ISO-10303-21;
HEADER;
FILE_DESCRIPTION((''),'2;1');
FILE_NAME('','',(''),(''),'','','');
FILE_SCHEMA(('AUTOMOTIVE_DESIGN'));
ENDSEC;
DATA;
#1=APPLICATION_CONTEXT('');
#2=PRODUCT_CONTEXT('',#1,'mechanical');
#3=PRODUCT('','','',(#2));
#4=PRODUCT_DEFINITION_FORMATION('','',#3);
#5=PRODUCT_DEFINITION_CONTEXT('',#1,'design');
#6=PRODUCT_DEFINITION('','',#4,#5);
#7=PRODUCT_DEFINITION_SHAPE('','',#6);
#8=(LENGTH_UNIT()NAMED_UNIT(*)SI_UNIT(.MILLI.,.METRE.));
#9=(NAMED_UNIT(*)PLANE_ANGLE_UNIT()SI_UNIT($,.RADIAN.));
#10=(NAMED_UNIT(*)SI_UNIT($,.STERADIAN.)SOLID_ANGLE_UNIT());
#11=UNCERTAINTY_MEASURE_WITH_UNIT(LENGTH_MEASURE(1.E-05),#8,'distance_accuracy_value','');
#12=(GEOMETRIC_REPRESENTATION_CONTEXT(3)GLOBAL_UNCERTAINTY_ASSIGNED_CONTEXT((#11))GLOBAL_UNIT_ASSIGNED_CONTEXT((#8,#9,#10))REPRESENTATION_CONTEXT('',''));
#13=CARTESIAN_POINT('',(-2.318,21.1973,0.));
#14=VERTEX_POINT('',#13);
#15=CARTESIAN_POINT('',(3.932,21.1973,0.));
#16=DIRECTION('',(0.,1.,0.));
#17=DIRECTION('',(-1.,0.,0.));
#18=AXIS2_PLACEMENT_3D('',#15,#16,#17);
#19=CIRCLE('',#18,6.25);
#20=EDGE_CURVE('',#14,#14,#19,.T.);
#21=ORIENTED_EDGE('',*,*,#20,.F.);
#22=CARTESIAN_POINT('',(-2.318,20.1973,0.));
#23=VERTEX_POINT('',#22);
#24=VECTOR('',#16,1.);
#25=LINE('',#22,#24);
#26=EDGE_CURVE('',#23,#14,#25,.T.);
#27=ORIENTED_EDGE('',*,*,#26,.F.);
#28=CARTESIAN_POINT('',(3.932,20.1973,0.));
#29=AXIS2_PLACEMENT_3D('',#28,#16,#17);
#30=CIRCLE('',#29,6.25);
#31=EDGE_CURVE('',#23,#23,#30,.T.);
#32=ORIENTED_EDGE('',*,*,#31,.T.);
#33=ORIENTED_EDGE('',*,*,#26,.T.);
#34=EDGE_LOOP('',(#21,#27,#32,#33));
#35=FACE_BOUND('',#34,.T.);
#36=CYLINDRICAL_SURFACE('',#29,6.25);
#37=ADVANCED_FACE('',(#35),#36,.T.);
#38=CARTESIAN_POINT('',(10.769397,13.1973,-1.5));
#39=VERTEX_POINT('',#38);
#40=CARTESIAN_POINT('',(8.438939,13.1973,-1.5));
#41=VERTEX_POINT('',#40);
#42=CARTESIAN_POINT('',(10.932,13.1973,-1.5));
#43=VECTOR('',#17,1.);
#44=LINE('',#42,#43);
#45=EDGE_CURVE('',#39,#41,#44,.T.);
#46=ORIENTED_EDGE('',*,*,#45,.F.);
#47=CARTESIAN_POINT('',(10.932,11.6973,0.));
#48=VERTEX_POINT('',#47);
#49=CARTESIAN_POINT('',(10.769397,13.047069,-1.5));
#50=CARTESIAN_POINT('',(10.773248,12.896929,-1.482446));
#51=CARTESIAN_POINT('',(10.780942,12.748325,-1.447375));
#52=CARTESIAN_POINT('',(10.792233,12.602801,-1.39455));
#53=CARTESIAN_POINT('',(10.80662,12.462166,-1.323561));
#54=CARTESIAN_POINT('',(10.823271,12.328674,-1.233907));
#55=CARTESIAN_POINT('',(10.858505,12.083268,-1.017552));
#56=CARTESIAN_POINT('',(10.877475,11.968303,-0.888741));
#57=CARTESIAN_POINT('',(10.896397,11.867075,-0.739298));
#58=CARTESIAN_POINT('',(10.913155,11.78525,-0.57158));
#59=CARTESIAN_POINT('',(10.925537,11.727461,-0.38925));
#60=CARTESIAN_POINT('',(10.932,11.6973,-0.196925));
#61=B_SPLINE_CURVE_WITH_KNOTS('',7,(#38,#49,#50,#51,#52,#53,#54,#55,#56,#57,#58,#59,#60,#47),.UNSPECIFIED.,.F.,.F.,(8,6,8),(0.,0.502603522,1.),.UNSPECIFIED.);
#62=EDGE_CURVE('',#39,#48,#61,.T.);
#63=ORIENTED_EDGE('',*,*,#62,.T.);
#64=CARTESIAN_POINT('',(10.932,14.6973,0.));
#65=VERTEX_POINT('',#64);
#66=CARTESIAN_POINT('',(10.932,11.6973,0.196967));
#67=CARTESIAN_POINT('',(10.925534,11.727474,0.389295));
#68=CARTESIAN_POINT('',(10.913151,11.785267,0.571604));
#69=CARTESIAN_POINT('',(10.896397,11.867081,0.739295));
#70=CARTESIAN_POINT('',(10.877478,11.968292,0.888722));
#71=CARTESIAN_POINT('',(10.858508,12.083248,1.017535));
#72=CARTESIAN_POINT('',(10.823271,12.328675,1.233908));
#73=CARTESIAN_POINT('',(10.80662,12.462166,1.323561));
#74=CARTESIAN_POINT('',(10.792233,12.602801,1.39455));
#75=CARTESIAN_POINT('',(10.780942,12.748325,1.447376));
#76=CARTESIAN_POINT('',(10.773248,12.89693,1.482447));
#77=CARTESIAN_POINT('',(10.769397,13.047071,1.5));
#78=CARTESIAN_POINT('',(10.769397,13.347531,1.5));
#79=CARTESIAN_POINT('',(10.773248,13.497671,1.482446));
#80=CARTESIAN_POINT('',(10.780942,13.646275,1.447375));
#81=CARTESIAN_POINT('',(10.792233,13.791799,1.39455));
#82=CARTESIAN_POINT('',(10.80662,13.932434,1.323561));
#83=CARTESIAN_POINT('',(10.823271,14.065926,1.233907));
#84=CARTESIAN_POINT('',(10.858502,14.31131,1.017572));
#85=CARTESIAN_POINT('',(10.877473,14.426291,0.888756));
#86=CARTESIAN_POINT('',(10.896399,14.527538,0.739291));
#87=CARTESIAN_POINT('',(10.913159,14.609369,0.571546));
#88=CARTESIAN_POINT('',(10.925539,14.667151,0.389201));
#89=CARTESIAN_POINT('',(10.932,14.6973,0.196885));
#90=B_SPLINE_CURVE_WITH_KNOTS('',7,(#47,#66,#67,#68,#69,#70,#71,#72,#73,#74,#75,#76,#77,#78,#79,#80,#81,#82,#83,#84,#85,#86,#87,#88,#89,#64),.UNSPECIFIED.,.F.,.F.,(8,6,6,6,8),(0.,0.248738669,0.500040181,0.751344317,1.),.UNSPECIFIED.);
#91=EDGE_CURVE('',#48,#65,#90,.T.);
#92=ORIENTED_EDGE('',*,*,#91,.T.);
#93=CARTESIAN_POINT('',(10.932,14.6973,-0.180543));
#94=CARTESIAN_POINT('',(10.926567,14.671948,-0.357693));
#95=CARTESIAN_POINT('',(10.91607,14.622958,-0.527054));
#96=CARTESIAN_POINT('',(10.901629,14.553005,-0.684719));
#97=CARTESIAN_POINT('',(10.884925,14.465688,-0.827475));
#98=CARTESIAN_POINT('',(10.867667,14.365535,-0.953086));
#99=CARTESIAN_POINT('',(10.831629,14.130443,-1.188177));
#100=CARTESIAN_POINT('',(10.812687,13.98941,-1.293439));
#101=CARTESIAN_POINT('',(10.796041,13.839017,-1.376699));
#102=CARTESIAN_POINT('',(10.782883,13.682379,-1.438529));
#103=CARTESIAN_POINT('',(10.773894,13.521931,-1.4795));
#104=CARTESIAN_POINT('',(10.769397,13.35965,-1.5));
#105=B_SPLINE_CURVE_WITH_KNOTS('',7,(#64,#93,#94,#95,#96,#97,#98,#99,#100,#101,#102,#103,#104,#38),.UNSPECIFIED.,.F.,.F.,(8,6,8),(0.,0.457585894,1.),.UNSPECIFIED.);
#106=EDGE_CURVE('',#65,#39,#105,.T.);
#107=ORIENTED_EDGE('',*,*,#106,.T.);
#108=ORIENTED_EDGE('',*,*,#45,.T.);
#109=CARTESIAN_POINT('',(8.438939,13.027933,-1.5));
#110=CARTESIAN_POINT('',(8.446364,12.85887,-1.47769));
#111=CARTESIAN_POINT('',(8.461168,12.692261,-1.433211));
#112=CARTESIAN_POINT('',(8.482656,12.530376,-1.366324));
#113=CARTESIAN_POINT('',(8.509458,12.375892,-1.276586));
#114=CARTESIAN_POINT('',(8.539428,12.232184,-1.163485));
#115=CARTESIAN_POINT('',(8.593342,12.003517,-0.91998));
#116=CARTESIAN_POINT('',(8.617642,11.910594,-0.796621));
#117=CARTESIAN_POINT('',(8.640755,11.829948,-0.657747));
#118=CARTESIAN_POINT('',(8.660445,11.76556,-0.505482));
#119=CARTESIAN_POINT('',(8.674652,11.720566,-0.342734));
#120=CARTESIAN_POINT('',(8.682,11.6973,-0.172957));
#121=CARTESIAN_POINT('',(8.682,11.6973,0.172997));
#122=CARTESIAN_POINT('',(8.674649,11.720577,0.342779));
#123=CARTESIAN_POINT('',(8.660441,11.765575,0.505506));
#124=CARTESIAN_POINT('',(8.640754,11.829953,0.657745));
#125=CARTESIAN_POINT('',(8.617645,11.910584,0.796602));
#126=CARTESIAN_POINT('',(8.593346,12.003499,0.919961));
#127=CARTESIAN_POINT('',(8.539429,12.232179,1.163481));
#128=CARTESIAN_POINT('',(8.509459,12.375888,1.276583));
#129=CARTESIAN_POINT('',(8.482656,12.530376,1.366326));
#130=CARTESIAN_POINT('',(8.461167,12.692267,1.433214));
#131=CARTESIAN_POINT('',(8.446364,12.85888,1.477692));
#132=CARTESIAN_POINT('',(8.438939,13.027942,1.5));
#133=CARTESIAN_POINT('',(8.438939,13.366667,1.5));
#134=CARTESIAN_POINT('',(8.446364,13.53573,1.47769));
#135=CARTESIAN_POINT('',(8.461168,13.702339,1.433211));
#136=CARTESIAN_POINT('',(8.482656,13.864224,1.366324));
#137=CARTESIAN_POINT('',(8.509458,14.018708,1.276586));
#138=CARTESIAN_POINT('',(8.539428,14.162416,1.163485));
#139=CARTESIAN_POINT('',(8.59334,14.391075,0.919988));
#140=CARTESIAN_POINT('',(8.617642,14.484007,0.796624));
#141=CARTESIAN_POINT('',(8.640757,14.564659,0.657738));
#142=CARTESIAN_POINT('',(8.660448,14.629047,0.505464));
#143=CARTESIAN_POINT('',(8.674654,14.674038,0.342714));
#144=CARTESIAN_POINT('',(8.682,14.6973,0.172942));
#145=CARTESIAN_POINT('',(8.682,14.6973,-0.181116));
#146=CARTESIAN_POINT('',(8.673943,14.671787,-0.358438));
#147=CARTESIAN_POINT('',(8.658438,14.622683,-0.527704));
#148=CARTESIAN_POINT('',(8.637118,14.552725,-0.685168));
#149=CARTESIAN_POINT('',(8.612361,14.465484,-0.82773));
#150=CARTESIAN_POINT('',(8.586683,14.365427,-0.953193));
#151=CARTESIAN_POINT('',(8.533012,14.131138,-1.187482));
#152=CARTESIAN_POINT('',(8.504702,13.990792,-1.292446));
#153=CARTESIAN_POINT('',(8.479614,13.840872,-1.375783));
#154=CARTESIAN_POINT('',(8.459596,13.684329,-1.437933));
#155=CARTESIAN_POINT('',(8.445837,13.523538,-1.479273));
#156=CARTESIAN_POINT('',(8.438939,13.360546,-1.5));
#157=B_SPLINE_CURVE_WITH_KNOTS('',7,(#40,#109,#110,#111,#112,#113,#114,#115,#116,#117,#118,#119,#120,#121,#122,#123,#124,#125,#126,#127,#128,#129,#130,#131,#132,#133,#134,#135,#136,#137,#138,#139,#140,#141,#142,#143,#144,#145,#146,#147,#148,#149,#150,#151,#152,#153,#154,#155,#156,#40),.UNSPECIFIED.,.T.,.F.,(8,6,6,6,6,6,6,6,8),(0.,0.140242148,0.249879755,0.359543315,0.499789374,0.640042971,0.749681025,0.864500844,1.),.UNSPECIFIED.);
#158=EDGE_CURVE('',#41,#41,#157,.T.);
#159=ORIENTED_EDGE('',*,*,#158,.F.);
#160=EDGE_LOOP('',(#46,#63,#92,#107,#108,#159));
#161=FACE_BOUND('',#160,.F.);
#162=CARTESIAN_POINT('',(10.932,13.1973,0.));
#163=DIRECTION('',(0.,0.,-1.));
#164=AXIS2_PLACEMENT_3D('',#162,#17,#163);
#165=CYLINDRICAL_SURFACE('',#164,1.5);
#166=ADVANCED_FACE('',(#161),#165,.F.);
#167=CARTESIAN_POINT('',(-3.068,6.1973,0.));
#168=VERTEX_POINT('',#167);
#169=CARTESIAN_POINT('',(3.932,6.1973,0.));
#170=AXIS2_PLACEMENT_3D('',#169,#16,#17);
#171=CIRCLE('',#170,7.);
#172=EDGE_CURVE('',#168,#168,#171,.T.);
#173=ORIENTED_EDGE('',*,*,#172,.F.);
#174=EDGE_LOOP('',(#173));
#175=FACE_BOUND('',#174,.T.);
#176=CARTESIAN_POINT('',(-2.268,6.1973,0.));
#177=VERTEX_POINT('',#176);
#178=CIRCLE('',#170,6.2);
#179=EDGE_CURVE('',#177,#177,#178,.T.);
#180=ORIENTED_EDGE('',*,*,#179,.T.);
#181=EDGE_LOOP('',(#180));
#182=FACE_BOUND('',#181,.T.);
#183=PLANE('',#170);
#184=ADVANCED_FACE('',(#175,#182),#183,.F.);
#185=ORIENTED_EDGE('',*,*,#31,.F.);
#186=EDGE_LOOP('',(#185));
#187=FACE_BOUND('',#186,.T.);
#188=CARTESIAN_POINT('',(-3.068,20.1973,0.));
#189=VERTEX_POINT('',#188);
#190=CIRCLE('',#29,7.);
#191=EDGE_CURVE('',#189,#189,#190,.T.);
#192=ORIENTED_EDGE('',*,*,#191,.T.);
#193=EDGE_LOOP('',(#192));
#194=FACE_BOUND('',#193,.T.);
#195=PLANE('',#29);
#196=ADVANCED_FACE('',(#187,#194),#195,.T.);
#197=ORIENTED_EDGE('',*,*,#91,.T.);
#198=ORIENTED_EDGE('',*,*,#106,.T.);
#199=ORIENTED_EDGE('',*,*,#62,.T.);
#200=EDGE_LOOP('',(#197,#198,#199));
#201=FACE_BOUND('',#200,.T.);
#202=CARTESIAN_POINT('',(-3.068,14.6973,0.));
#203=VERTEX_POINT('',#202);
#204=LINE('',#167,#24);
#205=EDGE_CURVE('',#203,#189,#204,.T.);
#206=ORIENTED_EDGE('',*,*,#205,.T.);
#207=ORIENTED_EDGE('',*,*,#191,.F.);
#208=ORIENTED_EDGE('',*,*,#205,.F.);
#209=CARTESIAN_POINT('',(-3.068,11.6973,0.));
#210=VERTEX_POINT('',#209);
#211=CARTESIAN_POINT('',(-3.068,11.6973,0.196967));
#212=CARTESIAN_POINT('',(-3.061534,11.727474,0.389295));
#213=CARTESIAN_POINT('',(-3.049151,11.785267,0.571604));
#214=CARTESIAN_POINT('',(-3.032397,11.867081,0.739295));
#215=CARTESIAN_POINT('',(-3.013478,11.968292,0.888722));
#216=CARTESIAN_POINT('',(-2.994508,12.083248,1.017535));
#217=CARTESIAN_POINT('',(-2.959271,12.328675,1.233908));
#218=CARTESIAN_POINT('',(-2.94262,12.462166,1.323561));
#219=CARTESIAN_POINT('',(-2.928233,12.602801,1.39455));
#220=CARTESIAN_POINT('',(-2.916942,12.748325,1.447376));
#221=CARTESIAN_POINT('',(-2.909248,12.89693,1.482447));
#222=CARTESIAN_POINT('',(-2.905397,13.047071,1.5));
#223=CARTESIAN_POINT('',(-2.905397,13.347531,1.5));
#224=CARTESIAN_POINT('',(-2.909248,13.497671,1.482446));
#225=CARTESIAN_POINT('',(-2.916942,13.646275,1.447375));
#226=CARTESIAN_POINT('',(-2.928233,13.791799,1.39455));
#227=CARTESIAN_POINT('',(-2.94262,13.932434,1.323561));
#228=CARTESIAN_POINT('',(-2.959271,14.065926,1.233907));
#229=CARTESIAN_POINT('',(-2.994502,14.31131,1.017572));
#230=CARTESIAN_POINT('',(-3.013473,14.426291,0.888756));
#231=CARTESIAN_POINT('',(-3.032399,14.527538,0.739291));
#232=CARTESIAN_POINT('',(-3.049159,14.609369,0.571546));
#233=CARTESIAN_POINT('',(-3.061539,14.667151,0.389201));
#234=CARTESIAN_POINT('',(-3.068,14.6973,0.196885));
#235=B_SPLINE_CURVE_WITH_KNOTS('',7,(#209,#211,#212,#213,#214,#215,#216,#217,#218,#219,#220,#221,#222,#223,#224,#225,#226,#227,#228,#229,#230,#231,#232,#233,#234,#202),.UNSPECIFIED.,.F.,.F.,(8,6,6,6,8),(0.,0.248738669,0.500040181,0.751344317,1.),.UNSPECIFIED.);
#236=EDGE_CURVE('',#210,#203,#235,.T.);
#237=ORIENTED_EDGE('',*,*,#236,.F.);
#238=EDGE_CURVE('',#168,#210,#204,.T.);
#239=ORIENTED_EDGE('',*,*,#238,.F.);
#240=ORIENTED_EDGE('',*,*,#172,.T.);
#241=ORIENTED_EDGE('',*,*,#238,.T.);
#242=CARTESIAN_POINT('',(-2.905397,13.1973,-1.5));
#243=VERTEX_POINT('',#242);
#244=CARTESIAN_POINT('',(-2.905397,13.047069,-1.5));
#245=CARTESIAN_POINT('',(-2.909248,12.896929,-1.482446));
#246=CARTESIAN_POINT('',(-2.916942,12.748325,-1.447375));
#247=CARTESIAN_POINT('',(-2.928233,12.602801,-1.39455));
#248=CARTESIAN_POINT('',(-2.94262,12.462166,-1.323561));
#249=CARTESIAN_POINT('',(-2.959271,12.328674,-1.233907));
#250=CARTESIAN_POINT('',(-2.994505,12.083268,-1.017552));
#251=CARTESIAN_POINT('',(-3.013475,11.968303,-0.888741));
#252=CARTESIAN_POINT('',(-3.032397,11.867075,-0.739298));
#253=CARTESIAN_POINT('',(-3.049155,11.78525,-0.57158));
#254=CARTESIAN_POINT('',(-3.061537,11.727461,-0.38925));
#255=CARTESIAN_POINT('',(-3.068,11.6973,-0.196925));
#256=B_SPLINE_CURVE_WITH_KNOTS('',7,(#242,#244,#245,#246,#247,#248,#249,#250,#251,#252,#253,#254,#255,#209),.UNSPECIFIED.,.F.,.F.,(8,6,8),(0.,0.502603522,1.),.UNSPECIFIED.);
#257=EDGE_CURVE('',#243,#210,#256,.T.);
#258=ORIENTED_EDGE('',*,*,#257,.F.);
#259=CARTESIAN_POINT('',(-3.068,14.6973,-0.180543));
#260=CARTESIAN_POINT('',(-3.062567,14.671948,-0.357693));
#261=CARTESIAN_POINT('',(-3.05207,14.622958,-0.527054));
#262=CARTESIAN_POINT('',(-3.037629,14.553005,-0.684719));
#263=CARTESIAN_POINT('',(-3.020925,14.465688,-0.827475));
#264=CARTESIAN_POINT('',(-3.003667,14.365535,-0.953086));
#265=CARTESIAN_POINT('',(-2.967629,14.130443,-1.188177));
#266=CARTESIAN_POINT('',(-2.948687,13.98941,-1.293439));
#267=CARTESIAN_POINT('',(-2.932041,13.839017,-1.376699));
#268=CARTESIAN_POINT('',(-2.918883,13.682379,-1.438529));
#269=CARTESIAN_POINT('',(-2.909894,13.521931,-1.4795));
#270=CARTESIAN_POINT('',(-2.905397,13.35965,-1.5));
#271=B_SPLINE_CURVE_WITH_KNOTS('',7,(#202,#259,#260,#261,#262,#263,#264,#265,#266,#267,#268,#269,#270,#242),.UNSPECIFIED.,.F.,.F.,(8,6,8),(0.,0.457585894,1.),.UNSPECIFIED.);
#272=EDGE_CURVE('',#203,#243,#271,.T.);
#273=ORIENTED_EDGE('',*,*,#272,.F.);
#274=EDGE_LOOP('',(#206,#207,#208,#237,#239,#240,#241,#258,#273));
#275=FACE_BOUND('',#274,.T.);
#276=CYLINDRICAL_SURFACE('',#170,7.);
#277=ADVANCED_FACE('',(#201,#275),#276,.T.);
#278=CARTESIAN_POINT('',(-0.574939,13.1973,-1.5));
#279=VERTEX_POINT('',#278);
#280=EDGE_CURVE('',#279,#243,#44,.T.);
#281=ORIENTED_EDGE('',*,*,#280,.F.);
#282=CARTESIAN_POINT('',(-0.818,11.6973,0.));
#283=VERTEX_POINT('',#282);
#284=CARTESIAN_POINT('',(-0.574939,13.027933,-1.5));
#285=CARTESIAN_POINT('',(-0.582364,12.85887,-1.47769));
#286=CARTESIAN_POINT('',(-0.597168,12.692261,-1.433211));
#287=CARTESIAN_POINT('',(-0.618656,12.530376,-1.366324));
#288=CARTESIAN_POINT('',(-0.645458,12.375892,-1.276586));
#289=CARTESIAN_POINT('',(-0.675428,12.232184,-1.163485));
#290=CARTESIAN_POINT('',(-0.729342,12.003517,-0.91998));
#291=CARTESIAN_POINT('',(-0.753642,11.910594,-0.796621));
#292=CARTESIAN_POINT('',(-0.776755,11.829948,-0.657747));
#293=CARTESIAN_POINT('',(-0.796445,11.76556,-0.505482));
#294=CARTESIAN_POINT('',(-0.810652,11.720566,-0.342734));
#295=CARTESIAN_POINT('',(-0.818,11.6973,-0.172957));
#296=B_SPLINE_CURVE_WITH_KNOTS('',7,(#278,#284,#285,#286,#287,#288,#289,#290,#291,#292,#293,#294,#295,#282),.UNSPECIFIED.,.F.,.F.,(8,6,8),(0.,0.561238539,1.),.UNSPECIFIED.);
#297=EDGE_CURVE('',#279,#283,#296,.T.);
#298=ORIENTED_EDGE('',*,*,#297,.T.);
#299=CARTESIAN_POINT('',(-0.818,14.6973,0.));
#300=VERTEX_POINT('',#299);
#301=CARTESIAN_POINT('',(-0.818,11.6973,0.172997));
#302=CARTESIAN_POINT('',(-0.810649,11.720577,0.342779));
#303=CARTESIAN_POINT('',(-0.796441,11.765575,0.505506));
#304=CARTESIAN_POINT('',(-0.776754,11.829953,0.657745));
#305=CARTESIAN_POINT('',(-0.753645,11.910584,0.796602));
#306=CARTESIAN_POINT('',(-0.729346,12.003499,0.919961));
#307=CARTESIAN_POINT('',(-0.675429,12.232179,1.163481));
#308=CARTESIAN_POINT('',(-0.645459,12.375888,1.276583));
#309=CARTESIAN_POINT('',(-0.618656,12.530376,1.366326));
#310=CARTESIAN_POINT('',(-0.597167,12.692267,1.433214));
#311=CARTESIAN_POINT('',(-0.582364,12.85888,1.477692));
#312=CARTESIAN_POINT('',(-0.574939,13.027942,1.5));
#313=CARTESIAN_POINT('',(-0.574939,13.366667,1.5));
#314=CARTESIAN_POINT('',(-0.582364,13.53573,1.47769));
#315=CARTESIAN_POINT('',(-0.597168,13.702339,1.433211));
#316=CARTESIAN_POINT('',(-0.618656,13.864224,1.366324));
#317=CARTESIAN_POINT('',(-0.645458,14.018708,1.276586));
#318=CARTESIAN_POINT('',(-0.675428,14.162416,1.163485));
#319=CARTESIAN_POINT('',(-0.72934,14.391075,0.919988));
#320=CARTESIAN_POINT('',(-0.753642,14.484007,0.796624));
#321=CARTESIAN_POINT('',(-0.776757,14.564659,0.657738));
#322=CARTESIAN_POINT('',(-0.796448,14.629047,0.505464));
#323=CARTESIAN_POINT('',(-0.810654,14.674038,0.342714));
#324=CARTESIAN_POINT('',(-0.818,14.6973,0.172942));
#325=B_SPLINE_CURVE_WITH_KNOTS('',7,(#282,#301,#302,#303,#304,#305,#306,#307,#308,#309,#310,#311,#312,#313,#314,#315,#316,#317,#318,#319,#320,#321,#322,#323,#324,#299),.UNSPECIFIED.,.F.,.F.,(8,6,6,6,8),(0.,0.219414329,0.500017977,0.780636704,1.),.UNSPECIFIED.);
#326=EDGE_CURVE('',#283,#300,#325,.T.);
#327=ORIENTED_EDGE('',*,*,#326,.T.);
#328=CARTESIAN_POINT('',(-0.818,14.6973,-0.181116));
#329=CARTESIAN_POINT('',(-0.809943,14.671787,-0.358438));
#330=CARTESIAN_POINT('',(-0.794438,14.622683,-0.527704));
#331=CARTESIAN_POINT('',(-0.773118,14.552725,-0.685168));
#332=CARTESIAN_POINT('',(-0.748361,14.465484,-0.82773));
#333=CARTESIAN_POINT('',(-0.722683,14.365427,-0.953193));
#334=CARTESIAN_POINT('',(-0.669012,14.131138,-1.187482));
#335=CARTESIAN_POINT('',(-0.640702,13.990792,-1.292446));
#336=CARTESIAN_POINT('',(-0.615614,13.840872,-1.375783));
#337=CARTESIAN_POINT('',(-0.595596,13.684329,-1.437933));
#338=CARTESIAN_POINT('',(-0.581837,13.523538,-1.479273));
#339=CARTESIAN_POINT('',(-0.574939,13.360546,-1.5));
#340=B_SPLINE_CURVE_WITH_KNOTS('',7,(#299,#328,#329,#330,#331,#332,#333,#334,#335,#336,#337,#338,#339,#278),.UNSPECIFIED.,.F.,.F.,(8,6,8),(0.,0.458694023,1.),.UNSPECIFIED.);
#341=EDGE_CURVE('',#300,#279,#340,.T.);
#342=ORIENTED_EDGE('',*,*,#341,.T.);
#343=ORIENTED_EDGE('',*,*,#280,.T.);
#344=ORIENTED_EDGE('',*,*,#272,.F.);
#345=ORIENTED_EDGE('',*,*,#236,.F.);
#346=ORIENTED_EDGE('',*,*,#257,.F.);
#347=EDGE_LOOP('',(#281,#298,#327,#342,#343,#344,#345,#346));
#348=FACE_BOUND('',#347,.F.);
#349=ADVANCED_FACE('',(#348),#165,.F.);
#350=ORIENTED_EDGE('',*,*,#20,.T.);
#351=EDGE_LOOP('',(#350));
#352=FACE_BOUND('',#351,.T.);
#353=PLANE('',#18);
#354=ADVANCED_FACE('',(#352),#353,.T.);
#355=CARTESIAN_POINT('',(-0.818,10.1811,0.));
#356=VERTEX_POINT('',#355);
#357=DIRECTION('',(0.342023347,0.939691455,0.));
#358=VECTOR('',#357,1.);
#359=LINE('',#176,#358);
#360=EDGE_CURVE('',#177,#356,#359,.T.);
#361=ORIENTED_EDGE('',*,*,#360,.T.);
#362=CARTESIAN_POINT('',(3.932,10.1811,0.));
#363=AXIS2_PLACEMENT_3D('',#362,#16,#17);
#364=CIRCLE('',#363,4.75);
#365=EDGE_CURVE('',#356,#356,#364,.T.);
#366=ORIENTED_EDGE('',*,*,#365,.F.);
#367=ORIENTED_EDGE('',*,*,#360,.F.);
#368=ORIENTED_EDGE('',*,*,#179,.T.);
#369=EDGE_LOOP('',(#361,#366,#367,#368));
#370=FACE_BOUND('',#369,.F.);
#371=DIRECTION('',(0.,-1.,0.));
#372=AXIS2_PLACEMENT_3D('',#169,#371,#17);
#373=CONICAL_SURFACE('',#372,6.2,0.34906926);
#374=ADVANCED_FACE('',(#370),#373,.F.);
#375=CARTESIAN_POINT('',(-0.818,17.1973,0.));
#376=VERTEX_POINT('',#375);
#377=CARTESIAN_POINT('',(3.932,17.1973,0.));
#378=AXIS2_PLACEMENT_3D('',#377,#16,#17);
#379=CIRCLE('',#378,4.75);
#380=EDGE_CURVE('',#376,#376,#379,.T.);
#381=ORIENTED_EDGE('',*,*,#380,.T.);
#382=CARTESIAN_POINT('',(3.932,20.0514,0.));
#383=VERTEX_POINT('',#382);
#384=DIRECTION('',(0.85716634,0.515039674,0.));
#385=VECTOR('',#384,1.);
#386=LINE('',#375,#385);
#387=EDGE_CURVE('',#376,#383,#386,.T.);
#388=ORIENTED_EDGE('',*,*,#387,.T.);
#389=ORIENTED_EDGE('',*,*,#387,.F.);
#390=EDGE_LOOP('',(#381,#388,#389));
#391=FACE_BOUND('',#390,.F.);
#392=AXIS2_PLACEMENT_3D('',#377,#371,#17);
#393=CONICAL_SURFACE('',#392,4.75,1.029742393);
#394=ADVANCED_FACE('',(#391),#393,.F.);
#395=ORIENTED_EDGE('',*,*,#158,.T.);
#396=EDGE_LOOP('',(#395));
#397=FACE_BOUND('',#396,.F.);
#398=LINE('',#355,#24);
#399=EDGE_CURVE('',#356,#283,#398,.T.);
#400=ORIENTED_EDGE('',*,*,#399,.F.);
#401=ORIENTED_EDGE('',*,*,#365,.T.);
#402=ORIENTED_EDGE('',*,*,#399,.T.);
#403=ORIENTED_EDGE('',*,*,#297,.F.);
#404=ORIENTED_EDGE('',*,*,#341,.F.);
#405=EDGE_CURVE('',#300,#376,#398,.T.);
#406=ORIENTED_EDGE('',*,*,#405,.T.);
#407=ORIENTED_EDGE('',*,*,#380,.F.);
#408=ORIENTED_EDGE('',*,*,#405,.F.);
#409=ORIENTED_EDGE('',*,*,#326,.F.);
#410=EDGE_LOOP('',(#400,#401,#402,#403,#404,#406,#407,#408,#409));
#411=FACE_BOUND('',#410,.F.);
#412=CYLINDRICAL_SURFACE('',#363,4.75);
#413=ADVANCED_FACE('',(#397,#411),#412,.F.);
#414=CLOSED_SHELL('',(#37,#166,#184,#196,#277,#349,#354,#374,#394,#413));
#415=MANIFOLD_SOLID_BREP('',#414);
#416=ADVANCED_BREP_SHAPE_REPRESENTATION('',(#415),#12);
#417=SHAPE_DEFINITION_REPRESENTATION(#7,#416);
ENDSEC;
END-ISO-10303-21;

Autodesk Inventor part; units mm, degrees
ref_plane "YZ Ebene" through (0, 0, 0) normal (1, 0, 0) x (0, 1, 0)
sketch "Skizze1" plane through (0, 0, 0) normal (0, 0, 1) x (1, 0, 0)
  line L0 (-3.068, 6.1973) -> (-3.068, 20.1973)
  line L1 (-3.068, 20.1973) -> (-2.318, 20.1973)
  line L2 (-2.318, 20.1973) -> (-2.318, 21.1973)
  line L3 (-2.318, 21.1973) -> (3.932, 21.1973)
  line L4 (-2.268, 6.1973) -> (-0.818, 10.1811)
  line L5 (-0.818, 10.1811) -> (-0.818, 17.1973)
  line L6 (-0.818, 17.1973) -> (3.932, 20.0514)
  line L7 (3.932, 20.0514) -> (3.932, 21.1973)
  line L8 (-2.268, 6.1973) -> (-3.068, 6.1973)
  dimension "d0" = 12.5
  dimension "d1" = 9.5
  dimension "d2" = 14
  dimension "d3" = 12.4
  dimension "d4" = 1
  dimension "d6" = 20
  dimension "d7" = 59
  dimension "d8" = 11
  dimension "d9" = 15
revolve "Drehung1" add sketch "Skizze1" angle 360 about axis through (3.932, 20.0514, 0) along (0, 1, 0)
ref_plane "Arbeitsebene1" through (10.932, 13.1973, 0) normal (1, 0, 0) x (0, 1, 0)
sketch "Skizze2" plane through (10.932, 13.1973, 0) normal (1, 0, 0) x (0, 1, 0)
  line L0 (-7, -7) -> (-7, 7) projected
  point P0 (0, 0)
  dimension "d13" = 7
ref_plane "Mittelebene" through (3.932, 13.1973, 0) normal (1, 0, 0) x (0, 1, 0)
hole "Bohrung1" at (10.932, 13.1973, 0) direction (-1, 0, 0) diameter 3 end through all
equation "\"d12\" = -0.5 * d2"
properties part number "DLM-011" material "CuZn40"
